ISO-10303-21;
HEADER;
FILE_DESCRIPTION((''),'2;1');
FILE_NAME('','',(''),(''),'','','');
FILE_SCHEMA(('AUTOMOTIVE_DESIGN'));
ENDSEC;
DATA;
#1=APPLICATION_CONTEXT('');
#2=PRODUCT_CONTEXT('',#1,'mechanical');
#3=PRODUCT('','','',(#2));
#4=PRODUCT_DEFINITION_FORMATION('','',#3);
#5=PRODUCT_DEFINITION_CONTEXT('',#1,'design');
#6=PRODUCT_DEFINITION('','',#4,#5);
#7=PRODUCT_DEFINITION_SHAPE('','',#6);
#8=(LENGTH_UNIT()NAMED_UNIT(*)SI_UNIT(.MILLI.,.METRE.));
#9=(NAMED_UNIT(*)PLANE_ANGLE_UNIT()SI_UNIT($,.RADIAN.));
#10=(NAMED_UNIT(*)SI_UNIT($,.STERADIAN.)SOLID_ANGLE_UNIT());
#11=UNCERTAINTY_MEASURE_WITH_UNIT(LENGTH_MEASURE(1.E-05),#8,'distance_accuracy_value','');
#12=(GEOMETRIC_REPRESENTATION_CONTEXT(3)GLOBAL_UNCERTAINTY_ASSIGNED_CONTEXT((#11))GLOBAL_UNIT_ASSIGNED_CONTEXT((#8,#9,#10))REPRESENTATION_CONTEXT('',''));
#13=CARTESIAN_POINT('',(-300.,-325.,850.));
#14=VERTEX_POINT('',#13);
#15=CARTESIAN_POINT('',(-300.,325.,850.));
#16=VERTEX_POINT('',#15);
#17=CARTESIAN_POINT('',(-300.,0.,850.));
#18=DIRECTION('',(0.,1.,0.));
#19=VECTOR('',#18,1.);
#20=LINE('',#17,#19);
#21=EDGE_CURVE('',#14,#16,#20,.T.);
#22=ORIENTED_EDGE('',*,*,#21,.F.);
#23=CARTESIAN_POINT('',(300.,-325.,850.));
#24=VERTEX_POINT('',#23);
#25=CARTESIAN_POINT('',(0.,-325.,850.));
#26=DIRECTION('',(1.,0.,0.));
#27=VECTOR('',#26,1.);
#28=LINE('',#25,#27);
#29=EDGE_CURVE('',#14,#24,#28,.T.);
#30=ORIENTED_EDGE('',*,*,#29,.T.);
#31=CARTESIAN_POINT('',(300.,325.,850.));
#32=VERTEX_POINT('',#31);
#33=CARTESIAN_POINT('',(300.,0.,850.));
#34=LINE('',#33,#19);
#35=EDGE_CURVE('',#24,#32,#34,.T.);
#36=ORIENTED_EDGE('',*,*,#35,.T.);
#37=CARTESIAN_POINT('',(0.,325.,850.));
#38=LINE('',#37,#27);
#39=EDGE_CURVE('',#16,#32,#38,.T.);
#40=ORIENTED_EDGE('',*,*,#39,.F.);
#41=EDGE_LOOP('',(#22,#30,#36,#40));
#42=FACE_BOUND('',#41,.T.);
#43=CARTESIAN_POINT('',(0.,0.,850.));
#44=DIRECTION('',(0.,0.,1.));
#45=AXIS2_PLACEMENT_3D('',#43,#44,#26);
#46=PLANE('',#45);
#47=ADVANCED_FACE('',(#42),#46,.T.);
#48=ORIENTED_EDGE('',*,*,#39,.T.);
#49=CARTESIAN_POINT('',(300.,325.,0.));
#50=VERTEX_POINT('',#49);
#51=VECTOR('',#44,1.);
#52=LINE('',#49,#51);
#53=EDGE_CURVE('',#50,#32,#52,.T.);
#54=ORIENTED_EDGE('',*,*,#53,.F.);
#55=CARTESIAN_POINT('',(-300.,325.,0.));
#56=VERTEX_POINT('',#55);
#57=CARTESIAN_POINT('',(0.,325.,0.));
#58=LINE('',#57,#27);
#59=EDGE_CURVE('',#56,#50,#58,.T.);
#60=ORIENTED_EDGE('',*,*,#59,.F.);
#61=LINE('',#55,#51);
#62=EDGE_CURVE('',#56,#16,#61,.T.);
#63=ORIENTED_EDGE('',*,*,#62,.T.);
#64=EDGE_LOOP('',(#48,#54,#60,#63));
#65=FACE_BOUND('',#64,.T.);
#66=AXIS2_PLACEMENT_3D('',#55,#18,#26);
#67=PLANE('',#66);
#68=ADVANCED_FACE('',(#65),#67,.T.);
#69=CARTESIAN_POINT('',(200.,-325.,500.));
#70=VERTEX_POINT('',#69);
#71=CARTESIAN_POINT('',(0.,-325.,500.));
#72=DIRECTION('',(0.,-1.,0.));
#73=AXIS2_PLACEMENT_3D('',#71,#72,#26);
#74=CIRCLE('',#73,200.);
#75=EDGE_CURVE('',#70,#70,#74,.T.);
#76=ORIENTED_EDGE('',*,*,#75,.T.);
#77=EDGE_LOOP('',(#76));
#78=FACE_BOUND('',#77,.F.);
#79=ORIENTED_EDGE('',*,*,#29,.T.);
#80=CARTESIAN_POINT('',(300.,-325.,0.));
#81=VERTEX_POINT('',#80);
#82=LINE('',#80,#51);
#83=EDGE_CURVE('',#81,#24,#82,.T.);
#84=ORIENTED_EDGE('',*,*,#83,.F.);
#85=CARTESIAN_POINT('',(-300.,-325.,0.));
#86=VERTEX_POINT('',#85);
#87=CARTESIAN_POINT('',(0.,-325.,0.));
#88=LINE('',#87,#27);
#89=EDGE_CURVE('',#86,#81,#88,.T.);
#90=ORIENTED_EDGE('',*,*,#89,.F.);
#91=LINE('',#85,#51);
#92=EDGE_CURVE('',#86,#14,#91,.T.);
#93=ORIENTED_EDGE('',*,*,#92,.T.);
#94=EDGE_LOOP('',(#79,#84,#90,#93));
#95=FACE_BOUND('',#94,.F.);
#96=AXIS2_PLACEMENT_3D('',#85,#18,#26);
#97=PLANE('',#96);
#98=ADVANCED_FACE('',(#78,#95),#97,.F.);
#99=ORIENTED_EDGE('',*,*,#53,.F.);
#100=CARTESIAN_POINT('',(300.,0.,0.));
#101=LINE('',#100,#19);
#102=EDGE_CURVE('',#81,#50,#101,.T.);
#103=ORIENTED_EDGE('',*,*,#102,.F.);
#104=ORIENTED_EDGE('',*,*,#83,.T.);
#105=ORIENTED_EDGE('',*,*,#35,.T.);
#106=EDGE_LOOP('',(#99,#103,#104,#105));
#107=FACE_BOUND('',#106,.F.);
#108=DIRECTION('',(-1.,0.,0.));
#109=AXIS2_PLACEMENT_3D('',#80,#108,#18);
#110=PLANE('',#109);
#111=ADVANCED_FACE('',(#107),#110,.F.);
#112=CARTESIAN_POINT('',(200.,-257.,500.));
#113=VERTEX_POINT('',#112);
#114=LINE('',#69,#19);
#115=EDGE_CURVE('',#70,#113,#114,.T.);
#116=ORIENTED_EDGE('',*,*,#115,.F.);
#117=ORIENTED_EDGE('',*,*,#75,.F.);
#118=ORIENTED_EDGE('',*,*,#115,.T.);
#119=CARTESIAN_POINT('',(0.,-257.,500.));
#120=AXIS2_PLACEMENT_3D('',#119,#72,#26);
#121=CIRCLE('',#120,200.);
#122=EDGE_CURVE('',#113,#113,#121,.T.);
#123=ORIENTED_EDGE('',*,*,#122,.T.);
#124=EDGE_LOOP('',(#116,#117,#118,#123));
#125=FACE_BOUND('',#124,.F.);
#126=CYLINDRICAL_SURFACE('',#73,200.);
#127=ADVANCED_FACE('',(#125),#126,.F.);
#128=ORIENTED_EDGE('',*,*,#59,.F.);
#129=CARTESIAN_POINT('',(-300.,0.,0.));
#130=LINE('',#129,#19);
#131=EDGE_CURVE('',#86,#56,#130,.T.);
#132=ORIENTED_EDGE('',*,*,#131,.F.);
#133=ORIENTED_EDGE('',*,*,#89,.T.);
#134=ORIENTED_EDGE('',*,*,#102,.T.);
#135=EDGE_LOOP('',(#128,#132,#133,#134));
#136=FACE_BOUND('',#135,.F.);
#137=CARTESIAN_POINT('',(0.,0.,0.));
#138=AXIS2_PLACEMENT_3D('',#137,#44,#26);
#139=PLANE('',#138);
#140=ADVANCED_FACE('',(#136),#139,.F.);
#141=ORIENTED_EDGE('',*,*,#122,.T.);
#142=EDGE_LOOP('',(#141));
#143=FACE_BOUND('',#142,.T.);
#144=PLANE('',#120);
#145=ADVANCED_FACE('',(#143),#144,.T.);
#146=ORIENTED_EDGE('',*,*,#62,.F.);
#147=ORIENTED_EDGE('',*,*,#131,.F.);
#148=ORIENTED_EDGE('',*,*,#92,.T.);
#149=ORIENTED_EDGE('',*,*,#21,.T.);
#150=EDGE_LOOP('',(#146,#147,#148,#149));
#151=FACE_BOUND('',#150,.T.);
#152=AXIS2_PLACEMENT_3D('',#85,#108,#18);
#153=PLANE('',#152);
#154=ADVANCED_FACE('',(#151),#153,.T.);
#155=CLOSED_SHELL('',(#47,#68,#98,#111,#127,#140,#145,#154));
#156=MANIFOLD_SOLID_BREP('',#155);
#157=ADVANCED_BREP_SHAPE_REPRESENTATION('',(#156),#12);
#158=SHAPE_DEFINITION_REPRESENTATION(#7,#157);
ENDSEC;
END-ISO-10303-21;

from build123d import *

# Parameters (mm, degrees)
F0_W     = 600
F0_H     = 650
F1_DEPTH = 850
F2_R     = 200
F3_DEPTH = 68


with BuildPart() as f1:
    # F0 (on Top) → F1 (new body)
    with BuildSketch(Plane.XY):
        Rectangle(F0_W, F0_H)
    extrude(amount=F1_DEPTH)

    # F2 (on face) → F3 (cut)
    with BuildSketch(Plane.XZ.offset(325)):
        with Locations((0, 500)):
            Circle(F2_R)
    extrude(amount=-F3_DEPTH, mode=Mode.SUBTRACT)


solid = f1.part
